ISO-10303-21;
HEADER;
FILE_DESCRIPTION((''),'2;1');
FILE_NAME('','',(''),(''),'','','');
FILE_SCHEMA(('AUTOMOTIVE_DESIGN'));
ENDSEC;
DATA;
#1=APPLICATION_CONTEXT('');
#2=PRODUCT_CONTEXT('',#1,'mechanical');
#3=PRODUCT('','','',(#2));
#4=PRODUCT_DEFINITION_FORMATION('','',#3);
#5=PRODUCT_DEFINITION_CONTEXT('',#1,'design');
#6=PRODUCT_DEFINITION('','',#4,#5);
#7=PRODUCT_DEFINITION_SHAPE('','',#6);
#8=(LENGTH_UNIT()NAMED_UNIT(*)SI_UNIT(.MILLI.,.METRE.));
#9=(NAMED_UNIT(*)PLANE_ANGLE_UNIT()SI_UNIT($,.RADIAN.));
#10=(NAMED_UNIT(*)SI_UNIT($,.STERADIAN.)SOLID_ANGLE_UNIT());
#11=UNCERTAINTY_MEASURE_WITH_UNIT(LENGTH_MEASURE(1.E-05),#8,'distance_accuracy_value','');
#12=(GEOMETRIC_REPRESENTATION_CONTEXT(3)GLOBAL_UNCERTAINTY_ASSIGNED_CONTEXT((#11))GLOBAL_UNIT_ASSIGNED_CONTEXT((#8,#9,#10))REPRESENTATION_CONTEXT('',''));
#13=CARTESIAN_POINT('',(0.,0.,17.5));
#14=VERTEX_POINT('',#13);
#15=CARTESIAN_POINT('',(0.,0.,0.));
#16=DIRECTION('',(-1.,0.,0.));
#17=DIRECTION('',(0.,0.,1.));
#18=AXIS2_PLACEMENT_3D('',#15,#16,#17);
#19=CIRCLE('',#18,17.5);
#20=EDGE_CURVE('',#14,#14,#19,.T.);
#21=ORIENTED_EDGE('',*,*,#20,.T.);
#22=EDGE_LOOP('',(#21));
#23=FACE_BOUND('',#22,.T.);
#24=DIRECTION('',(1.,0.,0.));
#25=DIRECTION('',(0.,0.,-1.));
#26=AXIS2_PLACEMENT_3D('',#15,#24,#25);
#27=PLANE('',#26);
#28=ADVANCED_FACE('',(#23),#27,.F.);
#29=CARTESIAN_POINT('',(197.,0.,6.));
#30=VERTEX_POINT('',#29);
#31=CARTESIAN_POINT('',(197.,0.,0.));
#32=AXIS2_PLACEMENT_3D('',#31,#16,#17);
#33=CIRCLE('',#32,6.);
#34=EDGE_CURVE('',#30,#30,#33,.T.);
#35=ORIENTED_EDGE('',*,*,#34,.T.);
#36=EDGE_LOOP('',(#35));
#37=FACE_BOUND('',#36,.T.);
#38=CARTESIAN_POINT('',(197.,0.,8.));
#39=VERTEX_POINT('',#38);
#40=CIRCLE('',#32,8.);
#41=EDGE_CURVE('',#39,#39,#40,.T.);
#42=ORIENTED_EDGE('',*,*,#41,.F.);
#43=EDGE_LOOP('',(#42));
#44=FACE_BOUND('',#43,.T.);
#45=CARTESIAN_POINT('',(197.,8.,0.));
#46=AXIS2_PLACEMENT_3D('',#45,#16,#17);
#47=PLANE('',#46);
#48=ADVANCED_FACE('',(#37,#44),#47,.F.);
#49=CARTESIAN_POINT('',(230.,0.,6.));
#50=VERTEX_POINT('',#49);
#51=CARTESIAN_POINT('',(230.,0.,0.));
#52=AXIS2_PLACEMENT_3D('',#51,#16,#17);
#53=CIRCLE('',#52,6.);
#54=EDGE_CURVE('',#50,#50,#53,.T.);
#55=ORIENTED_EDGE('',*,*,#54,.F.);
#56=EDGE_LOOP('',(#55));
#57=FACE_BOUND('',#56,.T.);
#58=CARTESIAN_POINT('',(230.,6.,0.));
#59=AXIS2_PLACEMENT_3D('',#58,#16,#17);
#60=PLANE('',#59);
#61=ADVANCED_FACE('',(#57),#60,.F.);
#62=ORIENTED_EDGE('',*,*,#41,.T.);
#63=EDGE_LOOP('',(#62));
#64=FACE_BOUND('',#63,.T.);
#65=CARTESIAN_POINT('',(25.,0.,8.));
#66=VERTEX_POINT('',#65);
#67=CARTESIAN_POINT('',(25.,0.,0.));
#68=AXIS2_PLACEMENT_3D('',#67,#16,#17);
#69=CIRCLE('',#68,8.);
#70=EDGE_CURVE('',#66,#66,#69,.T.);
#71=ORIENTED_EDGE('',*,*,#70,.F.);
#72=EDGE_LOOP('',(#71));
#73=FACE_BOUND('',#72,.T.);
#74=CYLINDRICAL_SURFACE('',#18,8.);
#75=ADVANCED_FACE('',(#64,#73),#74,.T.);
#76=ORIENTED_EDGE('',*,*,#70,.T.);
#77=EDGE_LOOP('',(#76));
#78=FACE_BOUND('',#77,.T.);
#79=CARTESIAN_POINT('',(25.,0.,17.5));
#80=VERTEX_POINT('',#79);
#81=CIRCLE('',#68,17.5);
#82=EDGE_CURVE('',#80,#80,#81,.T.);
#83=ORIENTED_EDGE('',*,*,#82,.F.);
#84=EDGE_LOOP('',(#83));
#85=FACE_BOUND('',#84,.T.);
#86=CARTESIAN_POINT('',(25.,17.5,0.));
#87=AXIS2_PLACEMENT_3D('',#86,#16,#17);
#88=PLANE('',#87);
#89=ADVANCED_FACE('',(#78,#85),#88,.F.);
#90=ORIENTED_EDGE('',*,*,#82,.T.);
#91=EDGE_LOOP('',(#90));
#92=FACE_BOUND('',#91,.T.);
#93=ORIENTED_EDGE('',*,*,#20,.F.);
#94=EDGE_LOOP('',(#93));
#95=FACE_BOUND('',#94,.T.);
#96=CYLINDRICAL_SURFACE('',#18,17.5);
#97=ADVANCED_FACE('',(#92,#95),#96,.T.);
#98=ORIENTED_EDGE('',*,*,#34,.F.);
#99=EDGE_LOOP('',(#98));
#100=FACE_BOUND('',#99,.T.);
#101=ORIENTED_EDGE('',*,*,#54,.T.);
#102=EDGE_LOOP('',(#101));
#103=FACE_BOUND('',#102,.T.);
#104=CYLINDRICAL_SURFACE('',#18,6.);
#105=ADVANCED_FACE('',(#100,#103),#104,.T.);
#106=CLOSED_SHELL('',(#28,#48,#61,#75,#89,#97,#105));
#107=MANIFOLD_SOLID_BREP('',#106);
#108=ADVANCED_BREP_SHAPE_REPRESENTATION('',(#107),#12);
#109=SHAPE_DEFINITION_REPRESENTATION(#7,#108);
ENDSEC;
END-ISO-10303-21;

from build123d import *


with BuildPart() as part:
    # 草图2 → 旋转1 (revolve)
    with BuildSketch(Plane.XY, mode=Mode.PRIVATE) as revolve_1_sk:
        Polygon((0, 0), (0, 17.5), (25, 17.5), (25, 8), (197, 8), (197, 6), (230, 6), (230, 0), align=None)
    revolve(revolve_1_sk.sketch.rotate(Axis((0, 0, 0), (1, 0, 0)), 90), axis=Axis((0, 0, 0), (1, 0, 0)))


solid = part.part
